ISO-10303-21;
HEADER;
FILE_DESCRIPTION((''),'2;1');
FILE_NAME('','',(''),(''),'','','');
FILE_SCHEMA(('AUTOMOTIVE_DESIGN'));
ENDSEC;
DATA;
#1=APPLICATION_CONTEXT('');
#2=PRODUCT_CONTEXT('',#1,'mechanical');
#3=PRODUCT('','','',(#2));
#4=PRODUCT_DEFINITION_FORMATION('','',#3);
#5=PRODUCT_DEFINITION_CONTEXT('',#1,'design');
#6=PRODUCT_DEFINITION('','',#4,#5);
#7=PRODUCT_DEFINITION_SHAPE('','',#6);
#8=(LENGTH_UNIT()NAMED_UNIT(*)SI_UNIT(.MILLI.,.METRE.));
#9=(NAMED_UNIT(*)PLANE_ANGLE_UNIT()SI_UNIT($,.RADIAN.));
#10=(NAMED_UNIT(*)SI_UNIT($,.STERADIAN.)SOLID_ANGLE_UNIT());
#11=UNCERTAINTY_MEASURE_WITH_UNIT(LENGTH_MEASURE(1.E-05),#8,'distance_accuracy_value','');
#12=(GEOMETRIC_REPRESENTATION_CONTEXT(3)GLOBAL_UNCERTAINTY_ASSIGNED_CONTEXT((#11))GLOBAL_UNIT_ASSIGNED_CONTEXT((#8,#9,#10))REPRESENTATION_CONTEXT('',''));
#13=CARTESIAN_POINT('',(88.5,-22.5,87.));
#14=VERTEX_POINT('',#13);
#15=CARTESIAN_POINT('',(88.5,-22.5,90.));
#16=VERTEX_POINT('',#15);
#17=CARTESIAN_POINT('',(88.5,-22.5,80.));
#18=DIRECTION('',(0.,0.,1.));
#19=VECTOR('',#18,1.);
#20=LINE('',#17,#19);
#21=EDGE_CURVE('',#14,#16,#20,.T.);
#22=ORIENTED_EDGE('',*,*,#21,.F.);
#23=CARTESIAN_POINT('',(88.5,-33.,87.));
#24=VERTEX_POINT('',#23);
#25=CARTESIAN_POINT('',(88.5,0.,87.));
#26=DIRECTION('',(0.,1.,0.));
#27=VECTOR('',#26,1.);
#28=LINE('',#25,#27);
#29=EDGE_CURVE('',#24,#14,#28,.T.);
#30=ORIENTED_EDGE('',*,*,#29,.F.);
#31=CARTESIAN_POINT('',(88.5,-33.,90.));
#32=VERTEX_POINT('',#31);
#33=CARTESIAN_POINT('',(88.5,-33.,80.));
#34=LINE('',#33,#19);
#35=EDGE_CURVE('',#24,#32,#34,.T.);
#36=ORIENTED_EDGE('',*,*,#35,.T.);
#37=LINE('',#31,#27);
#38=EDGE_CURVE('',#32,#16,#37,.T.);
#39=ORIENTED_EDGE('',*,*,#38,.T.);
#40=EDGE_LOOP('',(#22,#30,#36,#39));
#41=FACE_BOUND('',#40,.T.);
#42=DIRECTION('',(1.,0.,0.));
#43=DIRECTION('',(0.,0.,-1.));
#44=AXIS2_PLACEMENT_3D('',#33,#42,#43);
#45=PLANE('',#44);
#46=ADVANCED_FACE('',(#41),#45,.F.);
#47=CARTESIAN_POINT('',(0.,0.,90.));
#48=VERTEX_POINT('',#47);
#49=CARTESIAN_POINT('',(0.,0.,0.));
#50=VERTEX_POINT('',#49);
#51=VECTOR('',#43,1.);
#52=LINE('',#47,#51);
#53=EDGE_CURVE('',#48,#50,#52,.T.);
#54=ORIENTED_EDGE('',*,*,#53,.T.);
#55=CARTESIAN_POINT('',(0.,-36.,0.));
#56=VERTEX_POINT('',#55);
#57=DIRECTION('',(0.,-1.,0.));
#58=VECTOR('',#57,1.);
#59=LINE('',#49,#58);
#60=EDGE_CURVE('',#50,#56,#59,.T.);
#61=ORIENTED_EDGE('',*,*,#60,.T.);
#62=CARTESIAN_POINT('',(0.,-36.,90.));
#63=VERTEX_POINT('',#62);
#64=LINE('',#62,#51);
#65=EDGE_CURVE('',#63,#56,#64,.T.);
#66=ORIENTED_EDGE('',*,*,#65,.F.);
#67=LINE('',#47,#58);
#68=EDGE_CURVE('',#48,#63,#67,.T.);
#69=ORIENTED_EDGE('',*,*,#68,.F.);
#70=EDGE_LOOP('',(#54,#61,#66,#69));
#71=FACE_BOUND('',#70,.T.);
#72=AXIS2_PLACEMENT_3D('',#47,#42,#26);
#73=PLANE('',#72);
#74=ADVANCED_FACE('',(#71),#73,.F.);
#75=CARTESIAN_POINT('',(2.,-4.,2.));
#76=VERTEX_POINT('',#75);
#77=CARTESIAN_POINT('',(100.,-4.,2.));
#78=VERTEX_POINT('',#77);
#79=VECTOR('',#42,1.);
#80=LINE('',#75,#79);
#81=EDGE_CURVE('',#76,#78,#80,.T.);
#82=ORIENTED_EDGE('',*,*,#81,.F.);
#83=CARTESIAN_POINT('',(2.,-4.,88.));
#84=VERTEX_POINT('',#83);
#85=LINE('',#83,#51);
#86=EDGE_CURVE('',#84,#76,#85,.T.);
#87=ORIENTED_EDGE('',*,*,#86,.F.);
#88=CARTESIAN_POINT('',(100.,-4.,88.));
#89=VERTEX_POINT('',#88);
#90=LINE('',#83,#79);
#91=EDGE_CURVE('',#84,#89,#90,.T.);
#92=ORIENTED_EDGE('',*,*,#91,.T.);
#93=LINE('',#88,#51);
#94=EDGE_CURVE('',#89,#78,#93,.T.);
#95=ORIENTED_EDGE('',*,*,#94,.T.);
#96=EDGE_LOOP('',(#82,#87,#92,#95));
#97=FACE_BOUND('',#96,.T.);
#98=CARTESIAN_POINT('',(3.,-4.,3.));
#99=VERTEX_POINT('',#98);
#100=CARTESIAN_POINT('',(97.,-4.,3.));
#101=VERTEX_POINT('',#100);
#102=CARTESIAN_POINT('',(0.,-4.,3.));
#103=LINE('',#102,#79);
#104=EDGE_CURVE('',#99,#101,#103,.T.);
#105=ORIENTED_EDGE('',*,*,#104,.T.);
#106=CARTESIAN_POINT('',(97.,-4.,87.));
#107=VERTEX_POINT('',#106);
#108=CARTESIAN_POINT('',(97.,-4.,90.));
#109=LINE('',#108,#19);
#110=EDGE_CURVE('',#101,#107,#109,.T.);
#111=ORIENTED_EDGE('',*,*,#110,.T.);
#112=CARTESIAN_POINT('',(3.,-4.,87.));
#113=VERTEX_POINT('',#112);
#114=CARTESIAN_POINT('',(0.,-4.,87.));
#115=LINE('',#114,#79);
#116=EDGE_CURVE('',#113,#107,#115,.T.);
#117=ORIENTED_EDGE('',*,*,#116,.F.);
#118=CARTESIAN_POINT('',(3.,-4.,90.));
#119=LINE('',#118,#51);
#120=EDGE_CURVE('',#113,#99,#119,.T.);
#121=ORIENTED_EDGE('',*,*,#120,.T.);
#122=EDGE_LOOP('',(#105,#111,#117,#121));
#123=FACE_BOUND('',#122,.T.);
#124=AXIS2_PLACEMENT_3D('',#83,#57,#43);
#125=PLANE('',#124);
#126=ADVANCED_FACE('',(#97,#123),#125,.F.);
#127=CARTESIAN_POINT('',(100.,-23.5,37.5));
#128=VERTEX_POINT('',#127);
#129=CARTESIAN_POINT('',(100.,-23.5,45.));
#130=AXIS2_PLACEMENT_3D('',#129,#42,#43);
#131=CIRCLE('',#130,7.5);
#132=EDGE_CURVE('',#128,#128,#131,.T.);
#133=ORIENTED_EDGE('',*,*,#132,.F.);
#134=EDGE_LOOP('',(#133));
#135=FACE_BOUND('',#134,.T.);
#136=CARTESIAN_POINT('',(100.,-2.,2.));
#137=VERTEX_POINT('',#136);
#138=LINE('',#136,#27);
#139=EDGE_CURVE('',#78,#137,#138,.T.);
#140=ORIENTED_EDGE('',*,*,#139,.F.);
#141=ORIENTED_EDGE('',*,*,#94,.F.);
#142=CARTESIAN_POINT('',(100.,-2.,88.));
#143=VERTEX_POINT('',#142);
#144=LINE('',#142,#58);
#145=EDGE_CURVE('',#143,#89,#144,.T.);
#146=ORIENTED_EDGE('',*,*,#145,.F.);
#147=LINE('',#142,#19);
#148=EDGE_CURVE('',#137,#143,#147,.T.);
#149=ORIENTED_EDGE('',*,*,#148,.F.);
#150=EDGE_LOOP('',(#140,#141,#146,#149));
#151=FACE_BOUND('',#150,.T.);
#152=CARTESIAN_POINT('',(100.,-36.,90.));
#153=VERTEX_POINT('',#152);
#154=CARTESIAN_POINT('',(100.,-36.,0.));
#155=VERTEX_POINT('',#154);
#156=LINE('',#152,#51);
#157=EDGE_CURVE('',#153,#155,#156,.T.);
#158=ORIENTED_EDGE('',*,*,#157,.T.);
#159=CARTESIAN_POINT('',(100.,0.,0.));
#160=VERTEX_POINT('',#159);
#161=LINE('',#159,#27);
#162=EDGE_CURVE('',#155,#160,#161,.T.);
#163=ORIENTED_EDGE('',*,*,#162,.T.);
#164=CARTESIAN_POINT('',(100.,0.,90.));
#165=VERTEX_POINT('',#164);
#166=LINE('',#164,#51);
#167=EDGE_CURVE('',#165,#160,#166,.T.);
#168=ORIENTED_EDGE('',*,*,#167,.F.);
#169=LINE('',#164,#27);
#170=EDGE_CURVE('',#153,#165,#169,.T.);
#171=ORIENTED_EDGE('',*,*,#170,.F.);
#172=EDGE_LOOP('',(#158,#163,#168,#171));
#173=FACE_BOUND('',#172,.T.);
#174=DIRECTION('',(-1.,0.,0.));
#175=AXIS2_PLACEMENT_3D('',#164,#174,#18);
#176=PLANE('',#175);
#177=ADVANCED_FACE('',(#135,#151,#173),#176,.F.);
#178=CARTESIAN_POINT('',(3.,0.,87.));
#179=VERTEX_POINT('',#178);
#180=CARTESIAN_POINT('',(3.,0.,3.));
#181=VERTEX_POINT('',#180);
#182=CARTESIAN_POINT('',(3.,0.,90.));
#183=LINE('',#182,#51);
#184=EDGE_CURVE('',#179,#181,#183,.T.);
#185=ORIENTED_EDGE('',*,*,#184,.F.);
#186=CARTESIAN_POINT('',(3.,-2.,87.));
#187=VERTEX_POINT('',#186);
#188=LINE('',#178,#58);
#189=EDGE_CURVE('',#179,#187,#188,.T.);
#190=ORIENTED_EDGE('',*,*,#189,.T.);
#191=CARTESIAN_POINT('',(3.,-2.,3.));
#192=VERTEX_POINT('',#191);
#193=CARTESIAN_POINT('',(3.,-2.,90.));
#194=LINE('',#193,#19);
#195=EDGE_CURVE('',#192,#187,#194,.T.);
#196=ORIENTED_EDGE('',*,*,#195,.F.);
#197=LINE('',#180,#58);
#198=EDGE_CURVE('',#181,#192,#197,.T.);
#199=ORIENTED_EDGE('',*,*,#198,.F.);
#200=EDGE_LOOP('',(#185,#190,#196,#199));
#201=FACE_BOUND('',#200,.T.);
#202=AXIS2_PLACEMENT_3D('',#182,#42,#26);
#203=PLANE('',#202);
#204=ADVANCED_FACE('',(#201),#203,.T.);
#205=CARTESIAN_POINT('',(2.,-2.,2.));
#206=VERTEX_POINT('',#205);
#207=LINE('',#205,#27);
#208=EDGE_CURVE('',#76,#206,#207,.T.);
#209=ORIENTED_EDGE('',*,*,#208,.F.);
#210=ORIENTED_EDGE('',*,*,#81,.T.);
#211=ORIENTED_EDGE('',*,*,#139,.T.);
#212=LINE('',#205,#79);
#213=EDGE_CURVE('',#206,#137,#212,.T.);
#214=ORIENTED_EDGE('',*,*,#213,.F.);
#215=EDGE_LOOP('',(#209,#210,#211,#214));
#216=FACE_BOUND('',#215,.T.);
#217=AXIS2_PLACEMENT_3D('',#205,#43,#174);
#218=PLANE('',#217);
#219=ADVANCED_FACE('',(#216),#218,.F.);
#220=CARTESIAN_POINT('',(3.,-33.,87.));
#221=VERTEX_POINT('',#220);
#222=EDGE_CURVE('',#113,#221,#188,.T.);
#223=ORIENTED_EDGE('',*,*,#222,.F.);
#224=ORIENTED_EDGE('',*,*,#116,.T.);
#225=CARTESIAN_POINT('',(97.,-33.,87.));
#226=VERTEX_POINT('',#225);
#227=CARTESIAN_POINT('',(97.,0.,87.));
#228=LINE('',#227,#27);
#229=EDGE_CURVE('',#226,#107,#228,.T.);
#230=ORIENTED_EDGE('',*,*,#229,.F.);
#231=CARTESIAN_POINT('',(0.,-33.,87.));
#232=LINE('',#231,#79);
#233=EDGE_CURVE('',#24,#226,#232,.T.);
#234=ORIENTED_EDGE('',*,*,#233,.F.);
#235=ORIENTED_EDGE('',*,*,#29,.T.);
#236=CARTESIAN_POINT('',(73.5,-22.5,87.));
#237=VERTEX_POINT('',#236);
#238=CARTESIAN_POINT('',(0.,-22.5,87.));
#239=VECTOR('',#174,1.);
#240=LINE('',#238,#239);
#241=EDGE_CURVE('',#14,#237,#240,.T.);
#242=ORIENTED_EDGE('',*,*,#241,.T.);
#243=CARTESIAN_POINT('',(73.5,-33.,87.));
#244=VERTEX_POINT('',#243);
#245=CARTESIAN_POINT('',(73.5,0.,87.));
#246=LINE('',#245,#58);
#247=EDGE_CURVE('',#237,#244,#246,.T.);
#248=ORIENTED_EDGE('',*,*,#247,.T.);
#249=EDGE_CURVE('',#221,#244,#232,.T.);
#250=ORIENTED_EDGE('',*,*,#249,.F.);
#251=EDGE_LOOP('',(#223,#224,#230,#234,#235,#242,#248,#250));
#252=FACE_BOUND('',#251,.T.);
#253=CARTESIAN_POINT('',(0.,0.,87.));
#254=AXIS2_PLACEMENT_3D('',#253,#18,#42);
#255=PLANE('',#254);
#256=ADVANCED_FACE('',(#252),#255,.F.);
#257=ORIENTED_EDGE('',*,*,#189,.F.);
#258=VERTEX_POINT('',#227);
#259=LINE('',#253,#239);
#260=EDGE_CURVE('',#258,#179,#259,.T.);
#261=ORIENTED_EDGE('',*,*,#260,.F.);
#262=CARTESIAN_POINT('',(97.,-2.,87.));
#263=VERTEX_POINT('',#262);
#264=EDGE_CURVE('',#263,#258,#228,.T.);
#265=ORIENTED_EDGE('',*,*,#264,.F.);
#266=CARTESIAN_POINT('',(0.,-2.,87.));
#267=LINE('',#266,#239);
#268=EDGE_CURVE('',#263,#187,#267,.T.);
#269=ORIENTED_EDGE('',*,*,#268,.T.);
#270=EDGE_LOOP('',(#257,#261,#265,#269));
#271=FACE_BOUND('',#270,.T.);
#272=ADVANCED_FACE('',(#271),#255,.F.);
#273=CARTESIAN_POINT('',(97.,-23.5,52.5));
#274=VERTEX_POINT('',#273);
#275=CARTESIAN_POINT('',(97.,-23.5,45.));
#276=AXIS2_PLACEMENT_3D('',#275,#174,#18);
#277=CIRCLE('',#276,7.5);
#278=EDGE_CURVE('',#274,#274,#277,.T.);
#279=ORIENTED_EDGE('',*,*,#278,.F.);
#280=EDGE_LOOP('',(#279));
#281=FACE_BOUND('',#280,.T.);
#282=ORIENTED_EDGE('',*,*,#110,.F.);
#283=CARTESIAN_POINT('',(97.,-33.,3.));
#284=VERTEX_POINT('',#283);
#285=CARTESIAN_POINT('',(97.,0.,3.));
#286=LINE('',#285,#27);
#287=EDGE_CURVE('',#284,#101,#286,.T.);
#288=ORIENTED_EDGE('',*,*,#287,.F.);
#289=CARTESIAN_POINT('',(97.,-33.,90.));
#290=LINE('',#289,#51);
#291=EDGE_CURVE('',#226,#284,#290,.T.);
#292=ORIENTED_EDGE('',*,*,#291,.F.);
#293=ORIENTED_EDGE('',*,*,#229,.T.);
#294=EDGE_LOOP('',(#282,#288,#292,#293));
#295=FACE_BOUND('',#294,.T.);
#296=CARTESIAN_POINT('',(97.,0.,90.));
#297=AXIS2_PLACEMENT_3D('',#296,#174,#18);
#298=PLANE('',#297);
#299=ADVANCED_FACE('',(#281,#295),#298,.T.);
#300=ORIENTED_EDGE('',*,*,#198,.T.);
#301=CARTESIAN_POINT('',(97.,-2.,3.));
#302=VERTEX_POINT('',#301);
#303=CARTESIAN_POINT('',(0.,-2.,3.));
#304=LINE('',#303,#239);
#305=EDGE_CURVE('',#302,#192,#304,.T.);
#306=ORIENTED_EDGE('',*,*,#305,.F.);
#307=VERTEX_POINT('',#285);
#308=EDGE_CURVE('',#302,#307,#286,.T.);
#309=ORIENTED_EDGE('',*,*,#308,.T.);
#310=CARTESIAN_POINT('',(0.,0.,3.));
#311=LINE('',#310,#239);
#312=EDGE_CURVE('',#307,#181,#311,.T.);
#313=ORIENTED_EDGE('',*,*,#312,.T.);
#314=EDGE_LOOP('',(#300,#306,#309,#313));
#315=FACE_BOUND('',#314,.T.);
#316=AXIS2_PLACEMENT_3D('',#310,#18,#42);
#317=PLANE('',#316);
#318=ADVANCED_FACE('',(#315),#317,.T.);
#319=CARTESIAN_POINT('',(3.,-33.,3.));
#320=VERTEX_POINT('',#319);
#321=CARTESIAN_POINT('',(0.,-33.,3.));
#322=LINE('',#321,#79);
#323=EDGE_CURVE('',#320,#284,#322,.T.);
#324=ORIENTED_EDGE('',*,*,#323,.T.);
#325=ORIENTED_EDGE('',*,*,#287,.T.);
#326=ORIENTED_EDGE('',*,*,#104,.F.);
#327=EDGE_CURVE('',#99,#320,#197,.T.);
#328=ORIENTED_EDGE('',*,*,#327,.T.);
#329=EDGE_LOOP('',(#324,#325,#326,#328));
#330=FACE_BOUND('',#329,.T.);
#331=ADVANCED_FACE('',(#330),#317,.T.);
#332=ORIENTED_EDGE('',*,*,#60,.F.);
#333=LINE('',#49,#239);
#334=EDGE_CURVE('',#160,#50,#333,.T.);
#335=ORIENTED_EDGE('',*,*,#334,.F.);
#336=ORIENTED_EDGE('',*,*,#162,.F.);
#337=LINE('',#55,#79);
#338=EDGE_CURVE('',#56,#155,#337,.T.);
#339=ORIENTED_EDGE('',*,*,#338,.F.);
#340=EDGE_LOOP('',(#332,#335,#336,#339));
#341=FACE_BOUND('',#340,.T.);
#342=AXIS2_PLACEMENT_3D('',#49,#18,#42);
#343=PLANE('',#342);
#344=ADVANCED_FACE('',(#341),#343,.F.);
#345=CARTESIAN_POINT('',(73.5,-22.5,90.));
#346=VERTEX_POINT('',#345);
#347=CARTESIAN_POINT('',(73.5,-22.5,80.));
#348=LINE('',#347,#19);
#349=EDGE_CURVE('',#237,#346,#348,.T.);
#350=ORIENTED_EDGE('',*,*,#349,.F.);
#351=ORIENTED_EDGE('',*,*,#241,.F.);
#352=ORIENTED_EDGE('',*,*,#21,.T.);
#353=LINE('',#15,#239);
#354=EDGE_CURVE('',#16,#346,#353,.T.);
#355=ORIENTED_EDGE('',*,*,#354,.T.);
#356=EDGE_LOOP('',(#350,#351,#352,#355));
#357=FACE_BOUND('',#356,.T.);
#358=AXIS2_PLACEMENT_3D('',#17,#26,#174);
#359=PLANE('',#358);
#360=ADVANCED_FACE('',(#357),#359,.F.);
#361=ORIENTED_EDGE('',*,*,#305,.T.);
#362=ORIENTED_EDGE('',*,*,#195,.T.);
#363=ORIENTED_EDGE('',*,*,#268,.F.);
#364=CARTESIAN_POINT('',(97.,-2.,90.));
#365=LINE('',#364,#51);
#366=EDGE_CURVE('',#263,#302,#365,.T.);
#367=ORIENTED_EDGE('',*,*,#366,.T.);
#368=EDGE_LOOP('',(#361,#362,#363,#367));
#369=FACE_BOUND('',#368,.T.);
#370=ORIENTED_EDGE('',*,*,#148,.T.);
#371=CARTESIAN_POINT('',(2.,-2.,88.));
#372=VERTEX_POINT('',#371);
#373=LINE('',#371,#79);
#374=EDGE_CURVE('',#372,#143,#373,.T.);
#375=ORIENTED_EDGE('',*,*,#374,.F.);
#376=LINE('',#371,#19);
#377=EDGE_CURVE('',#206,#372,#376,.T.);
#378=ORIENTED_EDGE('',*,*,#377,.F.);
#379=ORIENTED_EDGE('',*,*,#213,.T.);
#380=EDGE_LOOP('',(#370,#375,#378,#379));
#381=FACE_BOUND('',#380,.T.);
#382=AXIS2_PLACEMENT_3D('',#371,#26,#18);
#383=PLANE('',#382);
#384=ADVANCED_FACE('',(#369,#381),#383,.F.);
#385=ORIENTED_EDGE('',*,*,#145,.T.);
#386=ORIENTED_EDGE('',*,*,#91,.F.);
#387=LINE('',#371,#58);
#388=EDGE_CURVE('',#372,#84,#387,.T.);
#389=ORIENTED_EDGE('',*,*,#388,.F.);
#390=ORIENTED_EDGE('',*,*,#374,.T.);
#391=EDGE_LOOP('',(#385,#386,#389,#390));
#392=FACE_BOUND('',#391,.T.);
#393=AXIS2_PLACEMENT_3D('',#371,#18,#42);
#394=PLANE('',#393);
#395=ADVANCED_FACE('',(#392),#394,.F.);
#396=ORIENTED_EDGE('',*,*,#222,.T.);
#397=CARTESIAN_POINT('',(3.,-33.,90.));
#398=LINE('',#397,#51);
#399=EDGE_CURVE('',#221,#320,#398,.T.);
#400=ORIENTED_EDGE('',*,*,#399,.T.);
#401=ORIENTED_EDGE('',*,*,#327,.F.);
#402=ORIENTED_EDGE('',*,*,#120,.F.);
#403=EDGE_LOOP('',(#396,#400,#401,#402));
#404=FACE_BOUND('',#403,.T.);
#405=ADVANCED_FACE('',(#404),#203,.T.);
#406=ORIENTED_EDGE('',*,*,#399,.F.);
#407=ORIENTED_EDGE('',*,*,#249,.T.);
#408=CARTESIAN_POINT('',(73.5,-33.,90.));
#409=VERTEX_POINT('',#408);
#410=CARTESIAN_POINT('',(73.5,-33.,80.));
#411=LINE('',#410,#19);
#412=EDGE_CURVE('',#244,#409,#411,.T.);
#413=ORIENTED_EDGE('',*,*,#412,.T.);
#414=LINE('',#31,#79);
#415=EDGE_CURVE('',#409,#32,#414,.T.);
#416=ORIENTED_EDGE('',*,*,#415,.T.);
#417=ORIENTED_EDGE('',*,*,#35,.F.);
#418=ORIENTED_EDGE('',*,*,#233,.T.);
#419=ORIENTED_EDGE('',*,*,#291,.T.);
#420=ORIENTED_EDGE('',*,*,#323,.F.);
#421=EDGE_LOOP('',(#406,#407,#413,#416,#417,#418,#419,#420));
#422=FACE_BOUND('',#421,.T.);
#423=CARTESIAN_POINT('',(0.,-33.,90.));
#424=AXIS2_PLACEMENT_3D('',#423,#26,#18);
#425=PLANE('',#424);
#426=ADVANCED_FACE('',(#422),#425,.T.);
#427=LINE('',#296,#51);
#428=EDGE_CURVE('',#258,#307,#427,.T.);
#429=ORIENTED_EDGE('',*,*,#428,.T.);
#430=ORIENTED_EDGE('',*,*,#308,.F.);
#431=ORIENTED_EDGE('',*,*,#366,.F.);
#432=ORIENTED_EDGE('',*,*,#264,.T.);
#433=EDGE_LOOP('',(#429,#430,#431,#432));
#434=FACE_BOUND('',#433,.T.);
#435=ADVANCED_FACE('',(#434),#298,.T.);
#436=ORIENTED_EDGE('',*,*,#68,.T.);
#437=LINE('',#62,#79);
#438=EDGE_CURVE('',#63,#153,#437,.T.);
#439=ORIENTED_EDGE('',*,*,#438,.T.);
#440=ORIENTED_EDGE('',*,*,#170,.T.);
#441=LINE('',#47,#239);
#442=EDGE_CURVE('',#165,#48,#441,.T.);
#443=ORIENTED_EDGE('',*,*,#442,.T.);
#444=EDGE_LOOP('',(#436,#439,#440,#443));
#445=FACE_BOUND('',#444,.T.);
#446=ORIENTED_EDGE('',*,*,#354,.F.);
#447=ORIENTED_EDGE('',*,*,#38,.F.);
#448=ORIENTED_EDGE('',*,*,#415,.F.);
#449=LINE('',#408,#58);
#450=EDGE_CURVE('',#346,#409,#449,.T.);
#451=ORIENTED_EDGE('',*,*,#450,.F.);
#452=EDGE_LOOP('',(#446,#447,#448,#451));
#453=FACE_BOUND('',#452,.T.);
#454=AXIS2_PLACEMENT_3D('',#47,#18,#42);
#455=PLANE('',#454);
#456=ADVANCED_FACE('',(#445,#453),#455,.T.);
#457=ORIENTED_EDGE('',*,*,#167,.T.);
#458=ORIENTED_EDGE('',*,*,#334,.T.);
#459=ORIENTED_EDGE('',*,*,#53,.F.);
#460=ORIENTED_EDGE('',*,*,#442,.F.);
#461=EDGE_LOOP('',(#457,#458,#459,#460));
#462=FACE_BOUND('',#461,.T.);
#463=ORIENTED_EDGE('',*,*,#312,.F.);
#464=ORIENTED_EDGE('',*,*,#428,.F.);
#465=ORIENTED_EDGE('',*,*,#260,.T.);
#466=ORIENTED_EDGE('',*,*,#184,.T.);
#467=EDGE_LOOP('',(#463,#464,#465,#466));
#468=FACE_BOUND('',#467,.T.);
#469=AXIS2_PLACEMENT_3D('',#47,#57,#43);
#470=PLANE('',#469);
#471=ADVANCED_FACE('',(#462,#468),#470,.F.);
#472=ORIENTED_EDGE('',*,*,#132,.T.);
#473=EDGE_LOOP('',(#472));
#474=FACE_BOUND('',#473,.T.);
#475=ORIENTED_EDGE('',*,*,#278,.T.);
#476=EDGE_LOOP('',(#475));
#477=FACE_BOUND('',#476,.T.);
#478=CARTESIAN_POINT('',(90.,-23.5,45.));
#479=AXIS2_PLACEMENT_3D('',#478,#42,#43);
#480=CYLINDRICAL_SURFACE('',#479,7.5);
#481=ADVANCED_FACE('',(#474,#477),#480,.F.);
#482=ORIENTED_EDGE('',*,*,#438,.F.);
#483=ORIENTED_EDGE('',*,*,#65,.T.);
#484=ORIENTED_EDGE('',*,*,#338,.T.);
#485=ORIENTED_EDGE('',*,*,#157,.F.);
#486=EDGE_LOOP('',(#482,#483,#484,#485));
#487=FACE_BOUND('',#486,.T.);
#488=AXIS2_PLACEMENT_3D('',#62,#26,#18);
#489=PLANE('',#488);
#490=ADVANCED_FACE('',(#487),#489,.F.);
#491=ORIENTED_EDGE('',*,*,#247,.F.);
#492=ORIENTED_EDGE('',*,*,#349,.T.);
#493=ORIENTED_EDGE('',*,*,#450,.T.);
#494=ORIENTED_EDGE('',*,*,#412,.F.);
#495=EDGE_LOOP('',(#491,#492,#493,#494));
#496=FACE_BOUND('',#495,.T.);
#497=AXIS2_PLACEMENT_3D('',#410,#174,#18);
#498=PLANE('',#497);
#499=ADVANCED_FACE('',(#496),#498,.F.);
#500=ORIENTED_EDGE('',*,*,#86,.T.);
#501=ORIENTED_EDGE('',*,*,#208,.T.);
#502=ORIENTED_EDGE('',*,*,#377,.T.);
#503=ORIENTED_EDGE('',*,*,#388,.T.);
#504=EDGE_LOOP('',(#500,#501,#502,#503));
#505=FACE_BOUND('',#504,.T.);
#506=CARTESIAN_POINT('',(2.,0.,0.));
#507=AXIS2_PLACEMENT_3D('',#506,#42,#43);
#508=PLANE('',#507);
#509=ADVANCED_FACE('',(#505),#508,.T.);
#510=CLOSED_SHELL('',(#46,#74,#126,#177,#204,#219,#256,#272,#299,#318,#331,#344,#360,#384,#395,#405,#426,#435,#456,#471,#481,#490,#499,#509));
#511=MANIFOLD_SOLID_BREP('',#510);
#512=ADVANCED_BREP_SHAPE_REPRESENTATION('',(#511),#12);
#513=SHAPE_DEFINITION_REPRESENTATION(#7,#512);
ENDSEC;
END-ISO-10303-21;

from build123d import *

# Parameters (mm, degrees)
SKETCH1_W           = 100
SKETCH1_H           = 36
BOSS_EXTRUDE1_DEPTH = 90
SHELL2_T            = -3
SKETCH3_W           = 15
SKETCH3_H           = 10.5
CUT_EXTRUDE3_DEPTH  = 10
SKETCH5_W           = 86
SKETCH5_H           = 2
CUT_EXTRUDE4_DEPTH  = 98
SKETCH6_R           = 7.5
CUT_EXTRUDE5_DEPTH  = 10


with BuildPart() as part:
    # Sketch1 → Boss-Extrude1 (new body)
    with BuildSketch(Plane.XY):
        with Locations((50, -18)):
            Rectangle(SKETCH1_W, SKETCH1_H)
    extrude(amount=BOSS_EXTRUDE1_DEPTH)

    # Shell2
    shell2_openings = [part.faces().sort_by_distance(p)[0] for p in [
        (50, 0, 45),
    ]]
    offset(amount=SHELL2_T, openings=shell2_openings, kind=Kind.INTERSECTION)

    # Sketch3 → Cut-Extrude3 (cut)
    with BuildSketch(Plane.XY.offset(90)):
        with Locations((81, -27.75)):
            Rectangle(SKETCH3_W, SKETCH3_H)
    extrude(amount=-CUT_EXTRUDE3_DEPTH, mode=Mode.SUBTRACT)

    # Sketch5 → Cut-Extrude4 (cut)
    with BuildSketch(Plane(origin=(100, 0, 0), x_dir=(0, 0, -1), z_dir=(1, 0, 0))):
        with Locations((-45, -3)):
            Rectangle(SKETCH5_W, SKETCH5_H)
    extrude(amount=-CUT_EXTRUDE4_DEPTH, mode=Mode.SUBTRACT)

    # Sketch6 → Cut-Extrude5 (cut)
    with BuildSketch(Plane(origin=(100, 0, 0), x_dir=(0, 0, -1), z_dir=(1, 0, 0))):
        with Locations((-45, -23.5)):
            Circle(SKETCH6_R)
    extrude(amount=-CUT_EXTRUDE5_DEPTH, mode=Mode.SUBTRACT)


solid = part.part
